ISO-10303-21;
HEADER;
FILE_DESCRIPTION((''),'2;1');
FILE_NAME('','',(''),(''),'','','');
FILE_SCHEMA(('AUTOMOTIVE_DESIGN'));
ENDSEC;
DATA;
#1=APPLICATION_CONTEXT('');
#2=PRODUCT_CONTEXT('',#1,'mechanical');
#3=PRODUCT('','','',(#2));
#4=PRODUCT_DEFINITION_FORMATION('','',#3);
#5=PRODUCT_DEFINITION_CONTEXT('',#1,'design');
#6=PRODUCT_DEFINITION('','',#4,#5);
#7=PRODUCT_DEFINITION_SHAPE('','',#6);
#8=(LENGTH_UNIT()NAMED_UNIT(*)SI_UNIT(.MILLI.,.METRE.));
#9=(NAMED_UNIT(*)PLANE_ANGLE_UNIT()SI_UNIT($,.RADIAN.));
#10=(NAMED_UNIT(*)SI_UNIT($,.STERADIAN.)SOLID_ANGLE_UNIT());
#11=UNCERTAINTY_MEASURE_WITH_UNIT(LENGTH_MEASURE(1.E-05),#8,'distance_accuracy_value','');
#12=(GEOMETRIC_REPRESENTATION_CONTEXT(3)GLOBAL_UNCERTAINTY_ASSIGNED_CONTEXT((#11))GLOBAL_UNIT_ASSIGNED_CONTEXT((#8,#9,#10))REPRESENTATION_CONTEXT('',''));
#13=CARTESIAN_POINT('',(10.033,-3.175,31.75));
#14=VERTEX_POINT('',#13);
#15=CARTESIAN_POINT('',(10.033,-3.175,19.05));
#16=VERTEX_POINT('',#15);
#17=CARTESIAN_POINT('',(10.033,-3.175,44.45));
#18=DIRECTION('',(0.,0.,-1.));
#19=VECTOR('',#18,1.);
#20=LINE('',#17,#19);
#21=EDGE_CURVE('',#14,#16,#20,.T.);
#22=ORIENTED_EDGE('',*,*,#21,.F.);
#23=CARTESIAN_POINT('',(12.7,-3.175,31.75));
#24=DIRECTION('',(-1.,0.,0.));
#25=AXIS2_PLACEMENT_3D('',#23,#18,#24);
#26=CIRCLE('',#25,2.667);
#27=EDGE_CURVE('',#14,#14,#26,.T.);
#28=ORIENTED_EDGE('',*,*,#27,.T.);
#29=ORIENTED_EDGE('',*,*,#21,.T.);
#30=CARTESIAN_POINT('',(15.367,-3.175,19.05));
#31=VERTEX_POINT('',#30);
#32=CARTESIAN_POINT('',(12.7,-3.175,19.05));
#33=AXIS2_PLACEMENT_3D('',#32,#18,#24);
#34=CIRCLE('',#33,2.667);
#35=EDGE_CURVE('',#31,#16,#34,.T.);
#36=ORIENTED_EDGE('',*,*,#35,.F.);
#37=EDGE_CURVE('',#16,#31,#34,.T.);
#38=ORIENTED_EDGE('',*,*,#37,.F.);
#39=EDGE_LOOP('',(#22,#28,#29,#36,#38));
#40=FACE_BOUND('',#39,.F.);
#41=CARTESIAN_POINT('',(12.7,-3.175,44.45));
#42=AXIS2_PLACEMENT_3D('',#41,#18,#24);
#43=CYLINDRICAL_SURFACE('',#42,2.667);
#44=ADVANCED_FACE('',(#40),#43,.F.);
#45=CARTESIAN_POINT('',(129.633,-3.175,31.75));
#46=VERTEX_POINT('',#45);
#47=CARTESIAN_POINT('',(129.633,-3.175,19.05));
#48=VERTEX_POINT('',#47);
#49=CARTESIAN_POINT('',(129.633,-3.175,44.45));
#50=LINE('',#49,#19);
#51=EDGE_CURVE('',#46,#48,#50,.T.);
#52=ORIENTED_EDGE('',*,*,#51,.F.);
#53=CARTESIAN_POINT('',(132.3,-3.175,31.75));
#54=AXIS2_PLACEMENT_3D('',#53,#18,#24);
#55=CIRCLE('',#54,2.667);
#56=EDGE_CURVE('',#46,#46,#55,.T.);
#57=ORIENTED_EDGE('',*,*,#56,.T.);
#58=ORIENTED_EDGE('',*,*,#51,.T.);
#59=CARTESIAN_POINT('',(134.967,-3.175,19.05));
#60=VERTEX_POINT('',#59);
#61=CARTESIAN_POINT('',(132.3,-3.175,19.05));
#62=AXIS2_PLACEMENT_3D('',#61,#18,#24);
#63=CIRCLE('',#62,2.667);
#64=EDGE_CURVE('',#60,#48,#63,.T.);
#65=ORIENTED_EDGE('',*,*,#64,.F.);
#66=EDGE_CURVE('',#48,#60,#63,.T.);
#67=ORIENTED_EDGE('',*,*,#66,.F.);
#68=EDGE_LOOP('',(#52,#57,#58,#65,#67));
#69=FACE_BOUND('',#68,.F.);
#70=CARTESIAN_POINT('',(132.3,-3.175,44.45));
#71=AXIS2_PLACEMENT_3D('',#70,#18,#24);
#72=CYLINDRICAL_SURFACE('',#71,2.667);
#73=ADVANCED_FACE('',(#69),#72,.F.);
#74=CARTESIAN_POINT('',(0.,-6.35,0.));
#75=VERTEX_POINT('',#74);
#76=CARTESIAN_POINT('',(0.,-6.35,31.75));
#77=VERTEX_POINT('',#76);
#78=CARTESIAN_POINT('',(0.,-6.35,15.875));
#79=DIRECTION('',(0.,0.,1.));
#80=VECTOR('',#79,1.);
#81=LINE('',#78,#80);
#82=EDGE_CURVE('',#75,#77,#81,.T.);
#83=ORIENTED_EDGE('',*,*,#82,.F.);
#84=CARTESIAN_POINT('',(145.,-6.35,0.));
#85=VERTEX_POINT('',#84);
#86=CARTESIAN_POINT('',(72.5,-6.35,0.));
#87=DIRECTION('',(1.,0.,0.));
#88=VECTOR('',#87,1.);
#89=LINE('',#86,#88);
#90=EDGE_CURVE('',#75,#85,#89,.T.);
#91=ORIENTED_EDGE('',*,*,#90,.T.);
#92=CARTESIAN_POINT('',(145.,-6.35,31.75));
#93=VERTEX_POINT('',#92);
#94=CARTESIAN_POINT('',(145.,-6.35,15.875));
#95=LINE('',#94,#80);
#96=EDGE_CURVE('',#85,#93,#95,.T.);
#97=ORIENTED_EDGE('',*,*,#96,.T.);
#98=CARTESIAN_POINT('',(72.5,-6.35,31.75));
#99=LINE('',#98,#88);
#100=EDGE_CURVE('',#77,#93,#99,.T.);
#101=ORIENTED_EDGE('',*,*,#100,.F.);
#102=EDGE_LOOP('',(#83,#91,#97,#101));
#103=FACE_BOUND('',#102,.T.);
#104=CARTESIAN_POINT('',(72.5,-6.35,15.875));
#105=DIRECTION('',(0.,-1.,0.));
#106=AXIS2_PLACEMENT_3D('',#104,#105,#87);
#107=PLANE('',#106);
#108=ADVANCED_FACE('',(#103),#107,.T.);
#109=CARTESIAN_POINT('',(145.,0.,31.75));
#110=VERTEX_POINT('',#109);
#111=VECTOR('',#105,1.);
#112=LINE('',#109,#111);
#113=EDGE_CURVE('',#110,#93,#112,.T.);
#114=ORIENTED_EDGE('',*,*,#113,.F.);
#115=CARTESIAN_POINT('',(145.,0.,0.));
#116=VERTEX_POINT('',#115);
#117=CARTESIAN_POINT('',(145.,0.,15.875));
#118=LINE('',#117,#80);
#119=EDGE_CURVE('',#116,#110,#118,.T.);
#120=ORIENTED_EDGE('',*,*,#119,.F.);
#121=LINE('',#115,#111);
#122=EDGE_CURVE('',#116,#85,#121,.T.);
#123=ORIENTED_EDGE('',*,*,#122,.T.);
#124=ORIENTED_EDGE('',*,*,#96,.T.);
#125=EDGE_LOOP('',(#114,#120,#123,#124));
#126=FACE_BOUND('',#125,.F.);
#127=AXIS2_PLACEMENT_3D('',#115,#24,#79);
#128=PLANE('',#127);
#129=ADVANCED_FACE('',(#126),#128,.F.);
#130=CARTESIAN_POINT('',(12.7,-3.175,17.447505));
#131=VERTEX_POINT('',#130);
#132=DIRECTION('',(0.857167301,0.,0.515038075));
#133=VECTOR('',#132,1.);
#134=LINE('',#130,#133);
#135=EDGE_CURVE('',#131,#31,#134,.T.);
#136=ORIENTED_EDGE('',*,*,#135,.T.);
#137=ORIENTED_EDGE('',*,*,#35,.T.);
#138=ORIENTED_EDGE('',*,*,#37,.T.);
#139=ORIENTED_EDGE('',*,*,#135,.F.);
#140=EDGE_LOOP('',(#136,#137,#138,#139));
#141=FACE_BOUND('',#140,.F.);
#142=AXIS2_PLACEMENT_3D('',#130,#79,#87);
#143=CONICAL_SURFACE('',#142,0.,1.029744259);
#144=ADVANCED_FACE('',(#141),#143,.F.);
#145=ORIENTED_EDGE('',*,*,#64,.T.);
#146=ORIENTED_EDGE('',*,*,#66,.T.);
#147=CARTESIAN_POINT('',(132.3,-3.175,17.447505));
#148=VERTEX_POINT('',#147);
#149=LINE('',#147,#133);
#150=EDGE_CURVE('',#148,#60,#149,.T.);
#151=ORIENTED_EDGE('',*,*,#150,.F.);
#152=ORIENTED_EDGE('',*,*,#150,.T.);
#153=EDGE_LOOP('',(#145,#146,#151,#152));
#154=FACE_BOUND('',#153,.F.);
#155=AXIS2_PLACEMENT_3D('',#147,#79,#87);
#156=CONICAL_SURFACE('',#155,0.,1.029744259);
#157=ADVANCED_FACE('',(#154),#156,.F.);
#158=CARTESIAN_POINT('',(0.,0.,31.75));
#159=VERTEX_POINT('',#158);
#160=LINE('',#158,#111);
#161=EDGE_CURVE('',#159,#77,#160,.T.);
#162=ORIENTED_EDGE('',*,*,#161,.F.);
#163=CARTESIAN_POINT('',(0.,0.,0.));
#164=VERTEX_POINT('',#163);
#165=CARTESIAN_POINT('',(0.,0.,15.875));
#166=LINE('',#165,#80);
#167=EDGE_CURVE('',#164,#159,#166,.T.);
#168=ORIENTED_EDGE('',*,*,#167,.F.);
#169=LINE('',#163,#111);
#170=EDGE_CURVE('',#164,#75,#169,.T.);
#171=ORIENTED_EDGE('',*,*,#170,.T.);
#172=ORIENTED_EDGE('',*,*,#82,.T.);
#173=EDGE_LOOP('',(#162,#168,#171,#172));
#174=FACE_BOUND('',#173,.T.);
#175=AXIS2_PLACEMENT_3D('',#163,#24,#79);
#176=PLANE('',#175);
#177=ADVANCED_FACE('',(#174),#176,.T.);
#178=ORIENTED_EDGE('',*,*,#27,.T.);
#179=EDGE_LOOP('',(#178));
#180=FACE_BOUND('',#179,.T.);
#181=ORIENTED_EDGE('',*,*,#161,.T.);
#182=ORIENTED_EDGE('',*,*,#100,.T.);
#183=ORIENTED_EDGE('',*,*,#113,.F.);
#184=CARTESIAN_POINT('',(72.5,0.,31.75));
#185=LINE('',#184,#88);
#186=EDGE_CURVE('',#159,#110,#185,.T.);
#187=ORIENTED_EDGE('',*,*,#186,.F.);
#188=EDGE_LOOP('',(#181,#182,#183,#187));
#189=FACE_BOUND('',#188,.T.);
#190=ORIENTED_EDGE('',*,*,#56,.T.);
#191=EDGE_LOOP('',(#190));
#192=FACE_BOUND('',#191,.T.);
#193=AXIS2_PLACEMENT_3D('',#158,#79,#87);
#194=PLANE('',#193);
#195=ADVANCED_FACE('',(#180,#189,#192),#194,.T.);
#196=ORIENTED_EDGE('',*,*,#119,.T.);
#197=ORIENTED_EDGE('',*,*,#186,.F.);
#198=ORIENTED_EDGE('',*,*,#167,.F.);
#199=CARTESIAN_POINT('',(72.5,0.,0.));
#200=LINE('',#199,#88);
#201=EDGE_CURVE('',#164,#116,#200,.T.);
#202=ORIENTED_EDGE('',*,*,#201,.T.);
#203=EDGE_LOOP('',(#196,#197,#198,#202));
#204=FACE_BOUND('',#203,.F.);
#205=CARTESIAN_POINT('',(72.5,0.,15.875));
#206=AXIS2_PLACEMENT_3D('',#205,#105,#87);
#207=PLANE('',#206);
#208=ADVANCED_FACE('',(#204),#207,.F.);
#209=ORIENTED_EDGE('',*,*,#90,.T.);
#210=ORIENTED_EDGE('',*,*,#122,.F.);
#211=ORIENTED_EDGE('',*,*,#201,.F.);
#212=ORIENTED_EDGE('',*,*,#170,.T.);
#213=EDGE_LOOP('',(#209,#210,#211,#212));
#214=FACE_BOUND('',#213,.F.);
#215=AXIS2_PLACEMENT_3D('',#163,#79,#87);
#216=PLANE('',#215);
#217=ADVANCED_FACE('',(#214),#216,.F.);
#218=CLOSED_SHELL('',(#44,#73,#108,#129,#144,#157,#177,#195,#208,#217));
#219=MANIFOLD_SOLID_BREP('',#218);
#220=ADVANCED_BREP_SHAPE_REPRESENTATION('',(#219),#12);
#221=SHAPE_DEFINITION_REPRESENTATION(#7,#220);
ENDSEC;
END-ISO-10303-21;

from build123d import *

# Parameters (mm, degrees)
F0_W     = 145
F0_H     = 31.75
F1_DEPTH = 6.35
F3_D     = 5.334
F3_DEPTH = 12.7
F3_TIP   = 1.6024952709


with BuildPart() as f1:
    # F0 (on Front) → F1 (new body)
    with BuildSketch(Plane.XZ):
        with Locations((72.5, 15.875)):
            Rectangle(F0_W, F0_H)
    extrude(amount=F1_DEPTH)

    # F3
    with Locations(Plane.XY.offset(31.75)):
        with Locations((12.7, -3.175), (132.3, -3.175)):
            Hole(F3_D / 2, depth=F3_DEPTH)
            with Locations((0, 0, -(F3_DEPTH + F3_TIP / 2))):  # 118° drill point
                Cone(0, F3_D / 2, F3_TIP, mode=Mode.SUBTRACT)


solid = f1.part
